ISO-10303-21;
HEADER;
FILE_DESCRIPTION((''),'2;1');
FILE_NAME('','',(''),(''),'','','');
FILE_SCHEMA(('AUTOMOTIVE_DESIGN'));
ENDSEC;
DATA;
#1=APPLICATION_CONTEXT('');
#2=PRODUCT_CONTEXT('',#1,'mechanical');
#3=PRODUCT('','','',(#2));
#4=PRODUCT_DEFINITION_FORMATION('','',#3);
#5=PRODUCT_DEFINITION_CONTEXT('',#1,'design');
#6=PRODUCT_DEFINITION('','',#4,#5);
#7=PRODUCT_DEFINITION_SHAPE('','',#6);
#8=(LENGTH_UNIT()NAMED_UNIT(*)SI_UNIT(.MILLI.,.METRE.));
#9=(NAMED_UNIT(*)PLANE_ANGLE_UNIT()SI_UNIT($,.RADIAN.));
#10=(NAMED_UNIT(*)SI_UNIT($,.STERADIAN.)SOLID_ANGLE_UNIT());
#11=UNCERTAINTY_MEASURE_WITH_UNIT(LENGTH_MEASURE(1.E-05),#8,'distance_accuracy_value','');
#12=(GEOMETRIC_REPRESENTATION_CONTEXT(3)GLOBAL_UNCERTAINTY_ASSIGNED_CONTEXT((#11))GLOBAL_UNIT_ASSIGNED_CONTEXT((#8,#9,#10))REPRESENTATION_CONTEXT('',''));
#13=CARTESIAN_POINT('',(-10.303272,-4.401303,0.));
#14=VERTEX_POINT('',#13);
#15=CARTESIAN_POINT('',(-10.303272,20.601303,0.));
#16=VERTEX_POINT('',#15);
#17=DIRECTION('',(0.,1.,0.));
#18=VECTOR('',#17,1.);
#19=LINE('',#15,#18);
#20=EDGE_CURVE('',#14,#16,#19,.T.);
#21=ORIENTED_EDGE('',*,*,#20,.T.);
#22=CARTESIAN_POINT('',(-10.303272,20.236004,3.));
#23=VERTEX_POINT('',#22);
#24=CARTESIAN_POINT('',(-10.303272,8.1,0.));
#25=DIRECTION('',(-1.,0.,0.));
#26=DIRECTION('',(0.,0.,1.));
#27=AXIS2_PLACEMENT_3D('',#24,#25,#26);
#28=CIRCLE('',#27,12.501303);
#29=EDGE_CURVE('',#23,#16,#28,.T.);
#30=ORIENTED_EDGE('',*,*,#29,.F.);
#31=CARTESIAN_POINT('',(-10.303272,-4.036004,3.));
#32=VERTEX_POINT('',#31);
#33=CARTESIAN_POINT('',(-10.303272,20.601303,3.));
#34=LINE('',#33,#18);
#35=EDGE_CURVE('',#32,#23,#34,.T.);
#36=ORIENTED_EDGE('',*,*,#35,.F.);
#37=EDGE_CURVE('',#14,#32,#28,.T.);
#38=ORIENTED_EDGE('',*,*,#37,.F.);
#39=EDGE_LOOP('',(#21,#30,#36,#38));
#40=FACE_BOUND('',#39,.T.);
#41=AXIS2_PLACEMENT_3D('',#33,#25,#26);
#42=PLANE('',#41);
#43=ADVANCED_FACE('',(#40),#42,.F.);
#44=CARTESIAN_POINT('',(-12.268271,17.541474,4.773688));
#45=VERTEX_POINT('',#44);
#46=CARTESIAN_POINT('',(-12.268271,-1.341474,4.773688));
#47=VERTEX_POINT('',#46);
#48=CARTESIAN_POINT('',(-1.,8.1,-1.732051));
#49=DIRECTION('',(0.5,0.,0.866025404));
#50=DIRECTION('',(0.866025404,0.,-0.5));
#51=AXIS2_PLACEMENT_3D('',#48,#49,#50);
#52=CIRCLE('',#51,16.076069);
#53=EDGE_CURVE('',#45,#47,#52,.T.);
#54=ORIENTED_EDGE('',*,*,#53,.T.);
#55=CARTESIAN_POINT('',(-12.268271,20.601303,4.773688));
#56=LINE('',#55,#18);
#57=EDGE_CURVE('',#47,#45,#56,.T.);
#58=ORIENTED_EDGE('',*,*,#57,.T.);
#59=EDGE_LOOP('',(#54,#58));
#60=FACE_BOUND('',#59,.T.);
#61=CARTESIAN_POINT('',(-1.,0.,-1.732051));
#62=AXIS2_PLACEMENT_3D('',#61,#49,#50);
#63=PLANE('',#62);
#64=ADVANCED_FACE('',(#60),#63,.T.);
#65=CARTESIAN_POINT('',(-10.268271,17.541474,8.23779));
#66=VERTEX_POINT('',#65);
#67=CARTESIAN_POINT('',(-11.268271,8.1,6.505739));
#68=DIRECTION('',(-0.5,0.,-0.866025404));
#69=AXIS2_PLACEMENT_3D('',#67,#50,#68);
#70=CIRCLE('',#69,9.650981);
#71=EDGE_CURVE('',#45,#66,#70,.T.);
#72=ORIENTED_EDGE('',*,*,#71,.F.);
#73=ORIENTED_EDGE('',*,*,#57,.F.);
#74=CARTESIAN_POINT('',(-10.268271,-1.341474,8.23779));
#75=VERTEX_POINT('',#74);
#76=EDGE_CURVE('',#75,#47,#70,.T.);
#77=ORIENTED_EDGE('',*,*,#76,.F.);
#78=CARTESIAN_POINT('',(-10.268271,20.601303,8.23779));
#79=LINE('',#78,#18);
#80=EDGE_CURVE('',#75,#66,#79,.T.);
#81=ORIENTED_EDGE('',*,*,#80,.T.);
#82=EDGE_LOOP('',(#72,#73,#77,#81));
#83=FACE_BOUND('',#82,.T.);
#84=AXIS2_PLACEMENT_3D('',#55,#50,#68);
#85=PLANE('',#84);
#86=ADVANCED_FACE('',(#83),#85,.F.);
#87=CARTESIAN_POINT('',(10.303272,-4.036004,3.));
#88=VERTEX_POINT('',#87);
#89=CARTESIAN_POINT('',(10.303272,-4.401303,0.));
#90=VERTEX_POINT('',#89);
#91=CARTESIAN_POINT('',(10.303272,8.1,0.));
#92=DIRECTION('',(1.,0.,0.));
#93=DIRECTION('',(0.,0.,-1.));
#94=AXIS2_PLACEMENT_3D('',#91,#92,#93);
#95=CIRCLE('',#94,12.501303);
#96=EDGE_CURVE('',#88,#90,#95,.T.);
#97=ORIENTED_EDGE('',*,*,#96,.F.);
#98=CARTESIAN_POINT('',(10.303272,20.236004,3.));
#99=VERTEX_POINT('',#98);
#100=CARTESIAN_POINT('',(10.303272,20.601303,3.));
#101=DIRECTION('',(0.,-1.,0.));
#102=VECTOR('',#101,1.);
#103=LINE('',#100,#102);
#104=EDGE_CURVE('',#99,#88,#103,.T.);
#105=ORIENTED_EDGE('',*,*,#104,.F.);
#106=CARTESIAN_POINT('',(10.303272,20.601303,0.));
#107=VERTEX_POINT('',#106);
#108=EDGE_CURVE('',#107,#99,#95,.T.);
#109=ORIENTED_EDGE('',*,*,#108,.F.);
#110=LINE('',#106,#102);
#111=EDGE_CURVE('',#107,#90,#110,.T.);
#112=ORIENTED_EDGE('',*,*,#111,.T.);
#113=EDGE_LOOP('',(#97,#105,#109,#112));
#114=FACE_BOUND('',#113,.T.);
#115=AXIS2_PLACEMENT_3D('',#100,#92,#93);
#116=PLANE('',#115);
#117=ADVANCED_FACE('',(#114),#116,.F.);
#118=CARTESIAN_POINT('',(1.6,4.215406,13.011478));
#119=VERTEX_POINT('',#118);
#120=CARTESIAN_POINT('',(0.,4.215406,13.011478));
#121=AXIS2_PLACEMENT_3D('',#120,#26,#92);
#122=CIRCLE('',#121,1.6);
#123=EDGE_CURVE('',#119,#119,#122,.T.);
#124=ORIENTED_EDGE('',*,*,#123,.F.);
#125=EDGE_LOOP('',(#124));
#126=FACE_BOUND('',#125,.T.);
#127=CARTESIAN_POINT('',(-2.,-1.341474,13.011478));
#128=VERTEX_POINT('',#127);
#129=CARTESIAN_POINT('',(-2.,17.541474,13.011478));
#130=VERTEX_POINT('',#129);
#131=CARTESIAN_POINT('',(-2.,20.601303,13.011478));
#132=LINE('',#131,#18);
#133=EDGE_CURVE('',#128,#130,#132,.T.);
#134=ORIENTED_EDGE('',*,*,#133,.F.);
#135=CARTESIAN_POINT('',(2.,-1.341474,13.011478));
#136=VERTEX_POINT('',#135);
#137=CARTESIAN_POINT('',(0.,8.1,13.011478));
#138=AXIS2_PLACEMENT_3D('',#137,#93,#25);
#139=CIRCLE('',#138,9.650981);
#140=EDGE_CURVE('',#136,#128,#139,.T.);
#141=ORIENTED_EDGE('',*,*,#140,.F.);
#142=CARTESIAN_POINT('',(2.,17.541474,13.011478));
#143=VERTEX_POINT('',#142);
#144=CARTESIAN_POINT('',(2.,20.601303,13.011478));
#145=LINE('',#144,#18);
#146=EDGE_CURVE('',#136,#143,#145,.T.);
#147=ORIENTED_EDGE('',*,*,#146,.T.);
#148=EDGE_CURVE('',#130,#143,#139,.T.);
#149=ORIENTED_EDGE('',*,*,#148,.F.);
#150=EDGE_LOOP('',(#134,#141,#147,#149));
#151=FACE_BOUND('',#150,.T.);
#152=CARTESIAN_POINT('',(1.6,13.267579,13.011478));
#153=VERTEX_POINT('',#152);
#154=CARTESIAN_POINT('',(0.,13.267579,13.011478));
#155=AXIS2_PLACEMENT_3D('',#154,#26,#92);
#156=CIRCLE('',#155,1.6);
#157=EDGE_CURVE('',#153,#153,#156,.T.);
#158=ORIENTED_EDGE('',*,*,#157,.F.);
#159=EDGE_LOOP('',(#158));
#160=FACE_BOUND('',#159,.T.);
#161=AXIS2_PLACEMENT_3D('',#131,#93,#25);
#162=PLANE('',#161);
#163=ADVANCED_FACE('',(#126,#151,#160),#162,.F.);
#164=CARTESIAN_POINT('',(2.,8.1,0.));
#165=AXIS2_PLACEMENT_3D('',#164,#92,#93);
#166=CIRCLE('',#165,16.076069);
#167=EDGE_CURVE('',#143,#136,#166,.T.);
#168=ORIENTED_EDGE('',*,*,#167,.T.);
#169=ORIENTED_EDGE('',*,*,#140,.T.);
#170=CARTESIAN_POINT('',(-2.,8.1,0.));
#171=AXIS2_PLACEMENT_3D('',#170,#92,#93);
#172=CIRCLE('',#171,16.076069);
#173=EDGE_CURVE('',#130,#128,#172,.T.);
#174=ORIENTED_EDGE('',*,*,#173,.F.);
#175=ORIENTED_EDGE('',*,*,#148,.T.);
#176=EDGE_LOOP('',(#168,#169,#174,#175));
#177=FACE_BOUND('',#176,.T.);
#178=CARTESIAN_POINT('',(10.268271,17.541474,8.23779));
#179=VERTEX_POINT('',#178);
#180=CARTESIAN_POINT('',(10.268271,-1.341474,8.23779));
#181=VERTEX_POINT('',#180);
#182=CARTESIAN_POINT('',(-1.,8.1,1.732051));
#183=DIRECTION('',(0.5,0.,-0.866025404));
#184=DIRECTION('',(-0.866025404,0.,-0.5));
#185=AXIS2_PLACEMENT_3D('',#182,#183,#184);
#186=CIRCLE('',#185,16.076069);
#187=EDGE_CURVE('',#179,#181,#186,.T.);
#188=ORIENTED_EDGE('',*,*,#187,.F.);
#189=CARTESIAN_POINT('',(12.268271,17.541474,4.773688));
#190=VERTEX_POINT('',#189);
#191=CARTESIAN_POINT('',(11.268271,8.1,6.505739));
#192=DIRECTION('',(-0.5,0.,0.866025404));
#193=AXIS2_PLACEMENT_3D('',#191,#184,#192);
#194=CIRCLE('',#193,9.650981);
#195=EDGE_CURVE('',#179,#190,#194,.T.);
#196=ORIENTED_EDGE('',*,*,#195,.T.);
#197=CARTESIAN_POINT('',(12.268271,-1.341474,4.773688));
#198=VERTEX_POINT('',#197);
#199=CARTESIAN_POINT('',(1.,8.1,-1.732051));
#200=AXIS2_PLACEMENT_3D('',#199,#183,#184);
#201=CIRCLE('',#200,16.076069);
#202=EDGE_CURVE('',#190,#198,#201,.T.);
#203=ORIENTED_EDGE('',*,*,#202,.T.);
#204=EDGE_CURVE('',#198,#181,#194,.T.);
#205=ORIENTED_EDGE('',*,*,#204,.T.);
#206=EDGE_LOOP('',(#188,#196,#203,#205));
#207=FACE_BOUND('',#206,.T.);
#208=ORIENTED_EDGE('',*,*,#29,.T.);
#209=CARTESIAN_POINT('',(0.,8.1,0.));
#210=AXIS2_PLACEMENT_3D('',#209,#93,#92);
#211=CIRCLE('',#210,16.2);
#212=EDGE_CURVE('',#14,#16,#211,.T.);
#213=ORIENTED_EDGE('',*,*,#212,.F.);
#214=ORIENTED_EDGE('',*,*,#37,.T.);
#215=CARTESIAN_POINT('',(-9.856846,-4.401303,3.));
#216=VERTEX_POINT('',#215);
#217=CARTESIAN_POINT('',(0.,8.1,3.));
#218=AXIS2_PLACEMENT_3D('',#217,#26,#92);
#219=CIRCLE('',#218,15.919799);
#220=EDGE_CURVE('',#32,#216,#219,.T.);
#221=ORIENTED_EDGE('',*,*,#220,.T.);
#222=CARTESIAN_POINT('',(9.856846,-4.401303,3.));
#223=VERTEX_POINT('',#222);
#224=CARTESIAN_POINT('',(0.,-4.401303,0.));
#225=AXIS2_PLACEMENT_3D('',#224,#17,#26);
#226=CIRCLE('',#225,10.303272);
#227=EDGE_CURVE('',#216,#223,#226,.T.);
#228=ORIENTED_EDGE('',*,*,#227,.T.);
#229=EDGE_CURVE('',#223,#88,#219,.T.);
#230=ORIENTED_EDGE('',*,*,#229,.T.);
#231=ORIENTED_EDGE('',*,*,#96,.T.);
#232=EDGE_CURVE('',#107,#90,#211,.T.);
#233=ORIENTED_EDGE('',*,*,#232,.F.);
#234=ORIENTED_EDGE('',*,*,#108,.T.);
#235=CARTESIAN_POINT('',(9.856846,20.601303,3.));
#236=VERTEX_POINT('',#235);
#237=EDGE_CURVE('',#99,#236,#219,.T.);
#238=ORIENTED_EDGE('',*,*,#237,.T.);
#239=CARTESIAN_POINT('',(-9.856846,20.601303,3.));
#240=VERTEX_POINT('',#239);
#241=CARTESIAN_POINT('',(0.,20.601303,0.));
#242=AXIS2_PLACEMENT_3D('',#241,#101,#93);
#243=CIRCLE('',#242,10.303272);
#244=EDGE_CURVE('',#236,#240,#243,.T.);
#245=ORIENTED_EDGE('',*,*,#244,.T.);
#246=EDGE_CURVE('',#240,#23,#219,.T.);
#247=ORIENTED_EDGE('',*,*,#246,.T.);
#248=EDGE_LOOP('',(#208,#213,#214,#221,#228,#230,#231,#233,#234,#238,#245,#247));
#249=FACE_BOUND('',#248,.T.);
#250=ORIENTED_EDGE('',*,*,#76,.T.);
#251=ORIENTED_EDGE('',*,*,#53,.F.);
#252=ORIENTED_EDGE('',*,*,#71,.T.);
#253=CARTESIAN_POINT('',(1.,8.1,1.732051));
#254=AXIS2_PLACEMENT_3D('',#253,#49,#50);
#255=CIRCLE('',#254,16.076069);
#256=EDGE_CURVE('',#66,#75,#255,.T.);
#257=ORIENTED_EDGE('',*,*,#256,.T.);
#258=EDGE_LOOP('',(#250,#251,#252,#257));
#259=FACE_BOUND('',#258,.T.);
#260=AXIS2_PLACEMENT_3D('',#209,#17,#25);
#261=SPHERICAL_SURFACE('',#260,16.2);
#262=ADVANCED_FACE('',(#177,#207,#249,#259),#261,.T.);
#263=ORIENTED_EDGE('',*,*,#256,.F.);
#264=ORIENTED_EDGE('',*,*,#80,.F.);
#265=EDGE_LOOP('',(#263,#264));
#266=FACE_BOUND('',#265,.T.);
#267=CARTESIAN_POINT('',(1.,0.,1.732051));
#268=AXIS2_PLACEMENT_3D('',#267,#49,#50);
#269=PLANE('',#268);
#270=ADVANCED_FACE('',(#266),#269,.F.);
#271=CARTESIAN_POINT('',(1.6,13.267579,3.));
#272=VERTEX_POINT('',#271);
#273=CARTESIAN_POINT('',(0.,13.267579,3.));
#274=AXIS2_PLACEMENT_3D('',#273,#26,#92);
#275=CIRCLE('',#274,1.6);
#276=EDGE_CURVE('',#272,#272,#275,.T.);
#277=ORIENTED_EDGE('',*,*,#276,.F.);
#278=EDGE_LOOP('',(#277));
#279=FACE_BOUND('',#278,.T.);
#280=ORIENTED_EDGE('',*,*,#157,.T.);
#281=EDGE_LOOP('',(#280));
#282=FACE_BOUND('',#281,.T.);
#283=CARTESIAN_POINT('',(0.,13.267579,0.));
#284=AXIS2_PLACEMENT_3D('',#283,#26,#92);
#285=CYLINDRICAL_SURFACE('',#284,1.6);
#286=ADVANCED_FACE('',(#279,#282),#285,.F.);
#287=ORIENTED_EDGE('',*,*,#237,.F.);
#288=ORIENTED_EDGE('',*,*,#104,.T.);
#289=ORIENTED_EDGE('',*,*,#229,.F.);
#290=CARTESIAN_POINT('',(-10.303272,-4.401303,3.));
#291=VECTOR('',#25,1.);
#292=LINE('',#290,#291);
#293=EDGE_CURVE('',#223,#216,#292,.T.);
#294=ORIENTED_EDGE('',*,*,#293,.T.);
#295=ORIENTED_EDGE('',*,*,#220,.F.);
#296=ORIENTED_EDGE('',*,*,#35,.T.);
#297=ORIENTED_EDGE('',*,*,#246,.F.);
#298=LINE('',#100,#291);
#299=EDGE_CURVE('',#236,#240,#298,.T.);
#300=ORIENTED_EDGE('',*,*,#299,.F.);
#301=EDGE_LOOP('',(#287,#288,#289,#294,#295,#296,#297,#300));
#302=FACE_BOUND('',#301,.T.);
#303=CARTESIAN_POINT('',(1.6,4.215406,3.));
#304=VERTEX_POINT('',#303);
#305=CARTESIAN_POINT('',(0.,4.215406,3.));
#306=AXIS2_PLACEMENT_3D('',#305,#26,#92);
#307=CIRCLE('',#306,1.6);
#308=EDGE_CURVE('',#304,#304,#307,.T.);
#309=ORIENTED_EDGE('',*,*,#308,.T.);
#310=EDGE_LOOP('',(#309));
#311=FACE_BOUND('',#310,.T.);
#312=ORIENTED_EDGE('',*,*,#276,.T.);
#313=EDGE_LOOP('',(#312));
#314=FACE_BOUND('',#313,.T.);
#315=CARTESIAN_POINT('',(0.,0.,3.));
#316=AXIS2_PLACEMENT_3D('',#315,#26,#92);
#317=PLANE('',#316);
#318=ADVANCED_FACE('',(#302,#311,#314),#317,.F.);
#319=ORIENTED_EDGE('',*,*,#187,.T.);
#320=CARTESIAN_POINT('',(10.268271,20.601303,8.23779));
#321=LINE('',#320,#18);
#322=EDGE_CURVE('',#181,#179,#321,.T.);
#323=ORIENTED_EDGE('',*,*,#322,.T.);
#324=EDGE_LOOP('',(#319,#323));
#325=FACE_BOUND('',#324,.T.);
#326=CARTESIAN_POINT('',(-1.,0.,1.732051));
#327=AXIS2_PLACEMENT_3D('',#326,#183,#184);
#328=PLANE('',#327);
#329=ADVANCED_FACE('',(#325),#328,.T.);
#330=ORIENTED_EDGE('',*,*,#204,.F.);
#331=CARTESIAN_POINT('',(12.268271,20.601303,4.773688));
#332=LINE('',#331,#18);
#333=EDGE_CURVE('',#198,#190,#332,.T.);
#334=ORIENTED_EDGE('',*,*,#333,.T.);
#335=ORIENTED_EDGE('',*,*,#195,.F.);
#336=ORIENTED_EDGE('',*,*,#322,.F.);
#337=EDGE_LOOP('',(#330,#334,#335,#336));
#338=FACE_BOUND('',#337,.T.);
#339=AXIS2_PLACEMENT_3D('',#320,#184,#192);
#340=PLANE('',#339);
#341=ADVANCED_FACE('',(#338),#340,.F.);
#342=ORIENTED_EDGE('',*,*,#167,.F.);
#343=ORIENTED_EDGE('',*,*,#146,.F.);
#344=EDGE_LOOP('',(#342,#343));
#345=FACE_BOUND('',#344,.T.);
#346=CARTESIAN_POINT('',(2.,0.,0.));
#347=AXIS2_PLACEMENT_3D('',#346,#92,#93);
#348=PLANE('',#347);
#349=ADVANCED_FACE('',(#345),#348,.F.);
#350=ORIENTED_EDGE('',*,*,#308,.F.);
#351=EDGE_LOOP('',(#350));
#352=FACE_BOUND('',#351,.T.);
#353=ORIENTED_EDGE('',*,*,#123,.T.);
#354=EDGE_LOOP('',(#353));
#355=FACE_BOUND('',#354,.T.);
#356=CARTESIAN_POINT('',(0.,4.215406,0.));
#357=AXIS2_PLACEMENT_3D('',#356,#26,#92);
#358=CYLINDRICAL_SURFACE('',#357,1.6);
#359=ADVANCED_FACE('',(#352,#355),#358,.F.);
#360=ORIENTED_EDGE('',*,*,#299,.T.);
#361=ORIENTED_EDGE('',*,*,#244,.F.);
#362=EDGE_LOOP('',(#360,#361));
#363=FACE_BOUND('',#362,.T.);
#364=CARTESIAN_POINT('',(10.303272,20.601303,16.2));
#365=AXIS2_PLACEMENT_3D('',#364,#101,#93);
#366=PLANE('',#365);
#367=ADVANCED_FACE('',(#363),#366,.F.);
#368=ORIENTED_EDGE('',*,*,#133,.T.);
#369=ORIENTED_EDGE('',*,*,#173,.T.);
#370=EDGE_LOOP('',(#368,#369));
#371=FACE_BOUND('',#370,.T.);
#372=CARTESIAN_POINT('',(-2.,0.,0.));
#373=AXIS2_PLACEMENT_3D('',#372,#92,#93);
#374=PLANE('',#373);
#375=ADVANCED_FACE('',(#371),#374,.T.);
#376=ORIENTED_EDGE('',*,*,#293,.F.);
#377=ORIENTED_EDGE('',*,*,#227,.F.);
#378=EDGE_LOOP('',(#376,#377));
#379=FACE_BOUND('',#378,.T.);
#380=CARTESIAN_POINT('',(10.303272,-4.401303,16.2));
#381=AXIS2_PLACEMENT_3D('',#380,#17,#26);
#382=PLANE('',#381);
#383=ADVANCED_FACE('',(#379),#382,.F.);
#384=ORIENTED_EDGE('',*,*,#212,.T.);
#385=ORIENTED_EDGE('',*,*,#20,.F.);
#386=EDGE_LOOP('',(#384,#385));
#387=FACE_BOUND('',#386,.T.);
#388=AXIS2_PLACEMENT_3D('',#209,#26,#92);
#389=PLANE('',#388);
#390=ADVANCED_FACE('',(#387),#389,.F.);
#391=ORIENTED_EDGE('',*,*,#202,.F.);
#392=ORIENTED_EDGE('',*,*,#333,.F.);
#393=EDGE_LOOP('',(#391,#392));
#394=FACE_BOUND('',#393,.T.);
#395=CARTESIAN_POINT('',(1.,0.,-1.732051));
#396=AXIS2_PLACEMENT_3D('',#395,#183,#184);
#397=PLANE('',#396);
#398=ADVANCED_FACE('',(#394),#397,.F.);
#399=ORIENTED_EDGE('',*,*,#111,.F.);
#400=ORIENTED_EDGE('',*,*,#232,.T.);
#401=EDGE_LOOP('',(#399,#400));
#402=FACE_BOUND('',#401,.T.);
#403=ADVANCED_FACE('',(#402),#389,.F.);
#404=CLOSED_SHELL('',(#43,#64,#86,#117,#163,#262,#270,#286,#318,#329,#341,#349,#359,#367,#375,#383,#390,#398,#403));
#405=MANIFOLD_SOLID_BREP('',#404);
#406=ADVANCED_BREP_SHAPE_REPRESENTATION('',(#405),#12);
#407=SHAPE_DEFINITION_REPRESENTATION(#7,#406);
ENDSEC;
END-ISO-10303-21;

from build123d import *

# Parameters (mm, degrees)
REVOLVE6_ANGLE     = 180
CUT_EXTRUDE3_DEPTH = 34.397155568
SKETCH6_W          = 20.606544016
SKETCH6_H          = 25.002606738
CUT_EXTRUDE4_DEPTH = 3
SKETCH15_W         = 5.12502067
SKETCH15_H         = 26.452748528
CUT_EXTRUDE7_DEPTH = 2
CIRPATTERN1_COUNT  = 6
SKETCH20_R         = 1.6
CUT_EXTRUDE8_DEPTH = 30.260079699


with BuildPart() as part:
    # Sketch1 → Revolve6 (revolve)
    with BuildSketch(Plane.XY):
        with BuildLine():
            Line((0, 24.3), (0, -8.1))
            ThreePointArc((0, -8.1), (16.2, 8.1), (0, 24.3))
        make_face()
    revolve(axis=Axis((0, 24.3, 0), (0, -1, 0)), revolution_arc=REVOLVE6_ANGLE)

    # Sketch7 → Cut-Extrude3 (cut, through all)
    with BuildSketch(Plane(origin=(0, 0, 0), x_dir=(-1, 0, 0), z_dir=(0, 0, -1))):
        with BuildLine():
            Line((-10.303272008, 20.601303369), (10.303272008, 20.601303369))
            ThreePointArc((10.303272008, 20.601303369), (0, 24.3), (-10.303272008, 20.601303369))
        make_face()
        with BuildLine():
            Line((-10.303272008, -4.401303369), (10.303272008, -4.401303369))
            ThreePointArc((10.303272008, -4.401303369), (0, -8.1), (-10.303272008, -4.401303369))
        make_face()
    extrude(amount=-CUT_EXTRUDE3_DEPTH, mode=Mode.SUBTRACT)

    # Sketch6 → Cut-Extrude4 (cut)
    with BuildSketch(Plane(origin=(0, 0, 0), x_dir=(-1, 0, 0), z_dir=(0, 0, -1))):
        with Locations((0, 8.1)):
            Rectangle(SKETCH6_W, SKETCH6_H)
    extrude(amount=-CUT_EXTRUDE4_DEPTH, mode=Mode.SUBTRACT)

    # Sketch15 → Cut-Extrude7 (cut, symmetric)
    with BuildSketch(Plane(origin=(0, 0, 0), x_dir=(0, 0, -1), z_dir=(1, 0, 0))):
        with Locations((-15.573988478, 7.374929105)):
            Rectangle(SKETCH15_W, SKETCH15_H)
    cut_extrude7 = extrude(amount=CUT_EXTRUDE7_DEPTH, both=True, mode=Mode.SUBTRACT)

    # CirPattern1: Cut-Extrude7 ×6 about axis
    cirpattern1_axis = Axis((0, 0, 0), (0, 1, 0))
    for i in range(1, CIRPATTERN1_COUNT):
        add(cut_extrude7.rotate(cirpattern1_axis, i * 360 / CIRPATTERN1_COUNT), mode=Mode.SUBTRACT)

    # Sketch20 → Cut-Extrude8 (cut, through all)
    with BuildSketch(Plane.XY.offset(13.011478143)):
        with Locations((0, 13.267578614)):
            Circle(SKETCH20_R)
        with Locations((0, 4.215406421)):
            Circle(SKETCH20_R)
    extrude(amount=-CUT_EXTRUDE8_DEPTH, mode=Mode.SUBTRACT)


solid = part.part
